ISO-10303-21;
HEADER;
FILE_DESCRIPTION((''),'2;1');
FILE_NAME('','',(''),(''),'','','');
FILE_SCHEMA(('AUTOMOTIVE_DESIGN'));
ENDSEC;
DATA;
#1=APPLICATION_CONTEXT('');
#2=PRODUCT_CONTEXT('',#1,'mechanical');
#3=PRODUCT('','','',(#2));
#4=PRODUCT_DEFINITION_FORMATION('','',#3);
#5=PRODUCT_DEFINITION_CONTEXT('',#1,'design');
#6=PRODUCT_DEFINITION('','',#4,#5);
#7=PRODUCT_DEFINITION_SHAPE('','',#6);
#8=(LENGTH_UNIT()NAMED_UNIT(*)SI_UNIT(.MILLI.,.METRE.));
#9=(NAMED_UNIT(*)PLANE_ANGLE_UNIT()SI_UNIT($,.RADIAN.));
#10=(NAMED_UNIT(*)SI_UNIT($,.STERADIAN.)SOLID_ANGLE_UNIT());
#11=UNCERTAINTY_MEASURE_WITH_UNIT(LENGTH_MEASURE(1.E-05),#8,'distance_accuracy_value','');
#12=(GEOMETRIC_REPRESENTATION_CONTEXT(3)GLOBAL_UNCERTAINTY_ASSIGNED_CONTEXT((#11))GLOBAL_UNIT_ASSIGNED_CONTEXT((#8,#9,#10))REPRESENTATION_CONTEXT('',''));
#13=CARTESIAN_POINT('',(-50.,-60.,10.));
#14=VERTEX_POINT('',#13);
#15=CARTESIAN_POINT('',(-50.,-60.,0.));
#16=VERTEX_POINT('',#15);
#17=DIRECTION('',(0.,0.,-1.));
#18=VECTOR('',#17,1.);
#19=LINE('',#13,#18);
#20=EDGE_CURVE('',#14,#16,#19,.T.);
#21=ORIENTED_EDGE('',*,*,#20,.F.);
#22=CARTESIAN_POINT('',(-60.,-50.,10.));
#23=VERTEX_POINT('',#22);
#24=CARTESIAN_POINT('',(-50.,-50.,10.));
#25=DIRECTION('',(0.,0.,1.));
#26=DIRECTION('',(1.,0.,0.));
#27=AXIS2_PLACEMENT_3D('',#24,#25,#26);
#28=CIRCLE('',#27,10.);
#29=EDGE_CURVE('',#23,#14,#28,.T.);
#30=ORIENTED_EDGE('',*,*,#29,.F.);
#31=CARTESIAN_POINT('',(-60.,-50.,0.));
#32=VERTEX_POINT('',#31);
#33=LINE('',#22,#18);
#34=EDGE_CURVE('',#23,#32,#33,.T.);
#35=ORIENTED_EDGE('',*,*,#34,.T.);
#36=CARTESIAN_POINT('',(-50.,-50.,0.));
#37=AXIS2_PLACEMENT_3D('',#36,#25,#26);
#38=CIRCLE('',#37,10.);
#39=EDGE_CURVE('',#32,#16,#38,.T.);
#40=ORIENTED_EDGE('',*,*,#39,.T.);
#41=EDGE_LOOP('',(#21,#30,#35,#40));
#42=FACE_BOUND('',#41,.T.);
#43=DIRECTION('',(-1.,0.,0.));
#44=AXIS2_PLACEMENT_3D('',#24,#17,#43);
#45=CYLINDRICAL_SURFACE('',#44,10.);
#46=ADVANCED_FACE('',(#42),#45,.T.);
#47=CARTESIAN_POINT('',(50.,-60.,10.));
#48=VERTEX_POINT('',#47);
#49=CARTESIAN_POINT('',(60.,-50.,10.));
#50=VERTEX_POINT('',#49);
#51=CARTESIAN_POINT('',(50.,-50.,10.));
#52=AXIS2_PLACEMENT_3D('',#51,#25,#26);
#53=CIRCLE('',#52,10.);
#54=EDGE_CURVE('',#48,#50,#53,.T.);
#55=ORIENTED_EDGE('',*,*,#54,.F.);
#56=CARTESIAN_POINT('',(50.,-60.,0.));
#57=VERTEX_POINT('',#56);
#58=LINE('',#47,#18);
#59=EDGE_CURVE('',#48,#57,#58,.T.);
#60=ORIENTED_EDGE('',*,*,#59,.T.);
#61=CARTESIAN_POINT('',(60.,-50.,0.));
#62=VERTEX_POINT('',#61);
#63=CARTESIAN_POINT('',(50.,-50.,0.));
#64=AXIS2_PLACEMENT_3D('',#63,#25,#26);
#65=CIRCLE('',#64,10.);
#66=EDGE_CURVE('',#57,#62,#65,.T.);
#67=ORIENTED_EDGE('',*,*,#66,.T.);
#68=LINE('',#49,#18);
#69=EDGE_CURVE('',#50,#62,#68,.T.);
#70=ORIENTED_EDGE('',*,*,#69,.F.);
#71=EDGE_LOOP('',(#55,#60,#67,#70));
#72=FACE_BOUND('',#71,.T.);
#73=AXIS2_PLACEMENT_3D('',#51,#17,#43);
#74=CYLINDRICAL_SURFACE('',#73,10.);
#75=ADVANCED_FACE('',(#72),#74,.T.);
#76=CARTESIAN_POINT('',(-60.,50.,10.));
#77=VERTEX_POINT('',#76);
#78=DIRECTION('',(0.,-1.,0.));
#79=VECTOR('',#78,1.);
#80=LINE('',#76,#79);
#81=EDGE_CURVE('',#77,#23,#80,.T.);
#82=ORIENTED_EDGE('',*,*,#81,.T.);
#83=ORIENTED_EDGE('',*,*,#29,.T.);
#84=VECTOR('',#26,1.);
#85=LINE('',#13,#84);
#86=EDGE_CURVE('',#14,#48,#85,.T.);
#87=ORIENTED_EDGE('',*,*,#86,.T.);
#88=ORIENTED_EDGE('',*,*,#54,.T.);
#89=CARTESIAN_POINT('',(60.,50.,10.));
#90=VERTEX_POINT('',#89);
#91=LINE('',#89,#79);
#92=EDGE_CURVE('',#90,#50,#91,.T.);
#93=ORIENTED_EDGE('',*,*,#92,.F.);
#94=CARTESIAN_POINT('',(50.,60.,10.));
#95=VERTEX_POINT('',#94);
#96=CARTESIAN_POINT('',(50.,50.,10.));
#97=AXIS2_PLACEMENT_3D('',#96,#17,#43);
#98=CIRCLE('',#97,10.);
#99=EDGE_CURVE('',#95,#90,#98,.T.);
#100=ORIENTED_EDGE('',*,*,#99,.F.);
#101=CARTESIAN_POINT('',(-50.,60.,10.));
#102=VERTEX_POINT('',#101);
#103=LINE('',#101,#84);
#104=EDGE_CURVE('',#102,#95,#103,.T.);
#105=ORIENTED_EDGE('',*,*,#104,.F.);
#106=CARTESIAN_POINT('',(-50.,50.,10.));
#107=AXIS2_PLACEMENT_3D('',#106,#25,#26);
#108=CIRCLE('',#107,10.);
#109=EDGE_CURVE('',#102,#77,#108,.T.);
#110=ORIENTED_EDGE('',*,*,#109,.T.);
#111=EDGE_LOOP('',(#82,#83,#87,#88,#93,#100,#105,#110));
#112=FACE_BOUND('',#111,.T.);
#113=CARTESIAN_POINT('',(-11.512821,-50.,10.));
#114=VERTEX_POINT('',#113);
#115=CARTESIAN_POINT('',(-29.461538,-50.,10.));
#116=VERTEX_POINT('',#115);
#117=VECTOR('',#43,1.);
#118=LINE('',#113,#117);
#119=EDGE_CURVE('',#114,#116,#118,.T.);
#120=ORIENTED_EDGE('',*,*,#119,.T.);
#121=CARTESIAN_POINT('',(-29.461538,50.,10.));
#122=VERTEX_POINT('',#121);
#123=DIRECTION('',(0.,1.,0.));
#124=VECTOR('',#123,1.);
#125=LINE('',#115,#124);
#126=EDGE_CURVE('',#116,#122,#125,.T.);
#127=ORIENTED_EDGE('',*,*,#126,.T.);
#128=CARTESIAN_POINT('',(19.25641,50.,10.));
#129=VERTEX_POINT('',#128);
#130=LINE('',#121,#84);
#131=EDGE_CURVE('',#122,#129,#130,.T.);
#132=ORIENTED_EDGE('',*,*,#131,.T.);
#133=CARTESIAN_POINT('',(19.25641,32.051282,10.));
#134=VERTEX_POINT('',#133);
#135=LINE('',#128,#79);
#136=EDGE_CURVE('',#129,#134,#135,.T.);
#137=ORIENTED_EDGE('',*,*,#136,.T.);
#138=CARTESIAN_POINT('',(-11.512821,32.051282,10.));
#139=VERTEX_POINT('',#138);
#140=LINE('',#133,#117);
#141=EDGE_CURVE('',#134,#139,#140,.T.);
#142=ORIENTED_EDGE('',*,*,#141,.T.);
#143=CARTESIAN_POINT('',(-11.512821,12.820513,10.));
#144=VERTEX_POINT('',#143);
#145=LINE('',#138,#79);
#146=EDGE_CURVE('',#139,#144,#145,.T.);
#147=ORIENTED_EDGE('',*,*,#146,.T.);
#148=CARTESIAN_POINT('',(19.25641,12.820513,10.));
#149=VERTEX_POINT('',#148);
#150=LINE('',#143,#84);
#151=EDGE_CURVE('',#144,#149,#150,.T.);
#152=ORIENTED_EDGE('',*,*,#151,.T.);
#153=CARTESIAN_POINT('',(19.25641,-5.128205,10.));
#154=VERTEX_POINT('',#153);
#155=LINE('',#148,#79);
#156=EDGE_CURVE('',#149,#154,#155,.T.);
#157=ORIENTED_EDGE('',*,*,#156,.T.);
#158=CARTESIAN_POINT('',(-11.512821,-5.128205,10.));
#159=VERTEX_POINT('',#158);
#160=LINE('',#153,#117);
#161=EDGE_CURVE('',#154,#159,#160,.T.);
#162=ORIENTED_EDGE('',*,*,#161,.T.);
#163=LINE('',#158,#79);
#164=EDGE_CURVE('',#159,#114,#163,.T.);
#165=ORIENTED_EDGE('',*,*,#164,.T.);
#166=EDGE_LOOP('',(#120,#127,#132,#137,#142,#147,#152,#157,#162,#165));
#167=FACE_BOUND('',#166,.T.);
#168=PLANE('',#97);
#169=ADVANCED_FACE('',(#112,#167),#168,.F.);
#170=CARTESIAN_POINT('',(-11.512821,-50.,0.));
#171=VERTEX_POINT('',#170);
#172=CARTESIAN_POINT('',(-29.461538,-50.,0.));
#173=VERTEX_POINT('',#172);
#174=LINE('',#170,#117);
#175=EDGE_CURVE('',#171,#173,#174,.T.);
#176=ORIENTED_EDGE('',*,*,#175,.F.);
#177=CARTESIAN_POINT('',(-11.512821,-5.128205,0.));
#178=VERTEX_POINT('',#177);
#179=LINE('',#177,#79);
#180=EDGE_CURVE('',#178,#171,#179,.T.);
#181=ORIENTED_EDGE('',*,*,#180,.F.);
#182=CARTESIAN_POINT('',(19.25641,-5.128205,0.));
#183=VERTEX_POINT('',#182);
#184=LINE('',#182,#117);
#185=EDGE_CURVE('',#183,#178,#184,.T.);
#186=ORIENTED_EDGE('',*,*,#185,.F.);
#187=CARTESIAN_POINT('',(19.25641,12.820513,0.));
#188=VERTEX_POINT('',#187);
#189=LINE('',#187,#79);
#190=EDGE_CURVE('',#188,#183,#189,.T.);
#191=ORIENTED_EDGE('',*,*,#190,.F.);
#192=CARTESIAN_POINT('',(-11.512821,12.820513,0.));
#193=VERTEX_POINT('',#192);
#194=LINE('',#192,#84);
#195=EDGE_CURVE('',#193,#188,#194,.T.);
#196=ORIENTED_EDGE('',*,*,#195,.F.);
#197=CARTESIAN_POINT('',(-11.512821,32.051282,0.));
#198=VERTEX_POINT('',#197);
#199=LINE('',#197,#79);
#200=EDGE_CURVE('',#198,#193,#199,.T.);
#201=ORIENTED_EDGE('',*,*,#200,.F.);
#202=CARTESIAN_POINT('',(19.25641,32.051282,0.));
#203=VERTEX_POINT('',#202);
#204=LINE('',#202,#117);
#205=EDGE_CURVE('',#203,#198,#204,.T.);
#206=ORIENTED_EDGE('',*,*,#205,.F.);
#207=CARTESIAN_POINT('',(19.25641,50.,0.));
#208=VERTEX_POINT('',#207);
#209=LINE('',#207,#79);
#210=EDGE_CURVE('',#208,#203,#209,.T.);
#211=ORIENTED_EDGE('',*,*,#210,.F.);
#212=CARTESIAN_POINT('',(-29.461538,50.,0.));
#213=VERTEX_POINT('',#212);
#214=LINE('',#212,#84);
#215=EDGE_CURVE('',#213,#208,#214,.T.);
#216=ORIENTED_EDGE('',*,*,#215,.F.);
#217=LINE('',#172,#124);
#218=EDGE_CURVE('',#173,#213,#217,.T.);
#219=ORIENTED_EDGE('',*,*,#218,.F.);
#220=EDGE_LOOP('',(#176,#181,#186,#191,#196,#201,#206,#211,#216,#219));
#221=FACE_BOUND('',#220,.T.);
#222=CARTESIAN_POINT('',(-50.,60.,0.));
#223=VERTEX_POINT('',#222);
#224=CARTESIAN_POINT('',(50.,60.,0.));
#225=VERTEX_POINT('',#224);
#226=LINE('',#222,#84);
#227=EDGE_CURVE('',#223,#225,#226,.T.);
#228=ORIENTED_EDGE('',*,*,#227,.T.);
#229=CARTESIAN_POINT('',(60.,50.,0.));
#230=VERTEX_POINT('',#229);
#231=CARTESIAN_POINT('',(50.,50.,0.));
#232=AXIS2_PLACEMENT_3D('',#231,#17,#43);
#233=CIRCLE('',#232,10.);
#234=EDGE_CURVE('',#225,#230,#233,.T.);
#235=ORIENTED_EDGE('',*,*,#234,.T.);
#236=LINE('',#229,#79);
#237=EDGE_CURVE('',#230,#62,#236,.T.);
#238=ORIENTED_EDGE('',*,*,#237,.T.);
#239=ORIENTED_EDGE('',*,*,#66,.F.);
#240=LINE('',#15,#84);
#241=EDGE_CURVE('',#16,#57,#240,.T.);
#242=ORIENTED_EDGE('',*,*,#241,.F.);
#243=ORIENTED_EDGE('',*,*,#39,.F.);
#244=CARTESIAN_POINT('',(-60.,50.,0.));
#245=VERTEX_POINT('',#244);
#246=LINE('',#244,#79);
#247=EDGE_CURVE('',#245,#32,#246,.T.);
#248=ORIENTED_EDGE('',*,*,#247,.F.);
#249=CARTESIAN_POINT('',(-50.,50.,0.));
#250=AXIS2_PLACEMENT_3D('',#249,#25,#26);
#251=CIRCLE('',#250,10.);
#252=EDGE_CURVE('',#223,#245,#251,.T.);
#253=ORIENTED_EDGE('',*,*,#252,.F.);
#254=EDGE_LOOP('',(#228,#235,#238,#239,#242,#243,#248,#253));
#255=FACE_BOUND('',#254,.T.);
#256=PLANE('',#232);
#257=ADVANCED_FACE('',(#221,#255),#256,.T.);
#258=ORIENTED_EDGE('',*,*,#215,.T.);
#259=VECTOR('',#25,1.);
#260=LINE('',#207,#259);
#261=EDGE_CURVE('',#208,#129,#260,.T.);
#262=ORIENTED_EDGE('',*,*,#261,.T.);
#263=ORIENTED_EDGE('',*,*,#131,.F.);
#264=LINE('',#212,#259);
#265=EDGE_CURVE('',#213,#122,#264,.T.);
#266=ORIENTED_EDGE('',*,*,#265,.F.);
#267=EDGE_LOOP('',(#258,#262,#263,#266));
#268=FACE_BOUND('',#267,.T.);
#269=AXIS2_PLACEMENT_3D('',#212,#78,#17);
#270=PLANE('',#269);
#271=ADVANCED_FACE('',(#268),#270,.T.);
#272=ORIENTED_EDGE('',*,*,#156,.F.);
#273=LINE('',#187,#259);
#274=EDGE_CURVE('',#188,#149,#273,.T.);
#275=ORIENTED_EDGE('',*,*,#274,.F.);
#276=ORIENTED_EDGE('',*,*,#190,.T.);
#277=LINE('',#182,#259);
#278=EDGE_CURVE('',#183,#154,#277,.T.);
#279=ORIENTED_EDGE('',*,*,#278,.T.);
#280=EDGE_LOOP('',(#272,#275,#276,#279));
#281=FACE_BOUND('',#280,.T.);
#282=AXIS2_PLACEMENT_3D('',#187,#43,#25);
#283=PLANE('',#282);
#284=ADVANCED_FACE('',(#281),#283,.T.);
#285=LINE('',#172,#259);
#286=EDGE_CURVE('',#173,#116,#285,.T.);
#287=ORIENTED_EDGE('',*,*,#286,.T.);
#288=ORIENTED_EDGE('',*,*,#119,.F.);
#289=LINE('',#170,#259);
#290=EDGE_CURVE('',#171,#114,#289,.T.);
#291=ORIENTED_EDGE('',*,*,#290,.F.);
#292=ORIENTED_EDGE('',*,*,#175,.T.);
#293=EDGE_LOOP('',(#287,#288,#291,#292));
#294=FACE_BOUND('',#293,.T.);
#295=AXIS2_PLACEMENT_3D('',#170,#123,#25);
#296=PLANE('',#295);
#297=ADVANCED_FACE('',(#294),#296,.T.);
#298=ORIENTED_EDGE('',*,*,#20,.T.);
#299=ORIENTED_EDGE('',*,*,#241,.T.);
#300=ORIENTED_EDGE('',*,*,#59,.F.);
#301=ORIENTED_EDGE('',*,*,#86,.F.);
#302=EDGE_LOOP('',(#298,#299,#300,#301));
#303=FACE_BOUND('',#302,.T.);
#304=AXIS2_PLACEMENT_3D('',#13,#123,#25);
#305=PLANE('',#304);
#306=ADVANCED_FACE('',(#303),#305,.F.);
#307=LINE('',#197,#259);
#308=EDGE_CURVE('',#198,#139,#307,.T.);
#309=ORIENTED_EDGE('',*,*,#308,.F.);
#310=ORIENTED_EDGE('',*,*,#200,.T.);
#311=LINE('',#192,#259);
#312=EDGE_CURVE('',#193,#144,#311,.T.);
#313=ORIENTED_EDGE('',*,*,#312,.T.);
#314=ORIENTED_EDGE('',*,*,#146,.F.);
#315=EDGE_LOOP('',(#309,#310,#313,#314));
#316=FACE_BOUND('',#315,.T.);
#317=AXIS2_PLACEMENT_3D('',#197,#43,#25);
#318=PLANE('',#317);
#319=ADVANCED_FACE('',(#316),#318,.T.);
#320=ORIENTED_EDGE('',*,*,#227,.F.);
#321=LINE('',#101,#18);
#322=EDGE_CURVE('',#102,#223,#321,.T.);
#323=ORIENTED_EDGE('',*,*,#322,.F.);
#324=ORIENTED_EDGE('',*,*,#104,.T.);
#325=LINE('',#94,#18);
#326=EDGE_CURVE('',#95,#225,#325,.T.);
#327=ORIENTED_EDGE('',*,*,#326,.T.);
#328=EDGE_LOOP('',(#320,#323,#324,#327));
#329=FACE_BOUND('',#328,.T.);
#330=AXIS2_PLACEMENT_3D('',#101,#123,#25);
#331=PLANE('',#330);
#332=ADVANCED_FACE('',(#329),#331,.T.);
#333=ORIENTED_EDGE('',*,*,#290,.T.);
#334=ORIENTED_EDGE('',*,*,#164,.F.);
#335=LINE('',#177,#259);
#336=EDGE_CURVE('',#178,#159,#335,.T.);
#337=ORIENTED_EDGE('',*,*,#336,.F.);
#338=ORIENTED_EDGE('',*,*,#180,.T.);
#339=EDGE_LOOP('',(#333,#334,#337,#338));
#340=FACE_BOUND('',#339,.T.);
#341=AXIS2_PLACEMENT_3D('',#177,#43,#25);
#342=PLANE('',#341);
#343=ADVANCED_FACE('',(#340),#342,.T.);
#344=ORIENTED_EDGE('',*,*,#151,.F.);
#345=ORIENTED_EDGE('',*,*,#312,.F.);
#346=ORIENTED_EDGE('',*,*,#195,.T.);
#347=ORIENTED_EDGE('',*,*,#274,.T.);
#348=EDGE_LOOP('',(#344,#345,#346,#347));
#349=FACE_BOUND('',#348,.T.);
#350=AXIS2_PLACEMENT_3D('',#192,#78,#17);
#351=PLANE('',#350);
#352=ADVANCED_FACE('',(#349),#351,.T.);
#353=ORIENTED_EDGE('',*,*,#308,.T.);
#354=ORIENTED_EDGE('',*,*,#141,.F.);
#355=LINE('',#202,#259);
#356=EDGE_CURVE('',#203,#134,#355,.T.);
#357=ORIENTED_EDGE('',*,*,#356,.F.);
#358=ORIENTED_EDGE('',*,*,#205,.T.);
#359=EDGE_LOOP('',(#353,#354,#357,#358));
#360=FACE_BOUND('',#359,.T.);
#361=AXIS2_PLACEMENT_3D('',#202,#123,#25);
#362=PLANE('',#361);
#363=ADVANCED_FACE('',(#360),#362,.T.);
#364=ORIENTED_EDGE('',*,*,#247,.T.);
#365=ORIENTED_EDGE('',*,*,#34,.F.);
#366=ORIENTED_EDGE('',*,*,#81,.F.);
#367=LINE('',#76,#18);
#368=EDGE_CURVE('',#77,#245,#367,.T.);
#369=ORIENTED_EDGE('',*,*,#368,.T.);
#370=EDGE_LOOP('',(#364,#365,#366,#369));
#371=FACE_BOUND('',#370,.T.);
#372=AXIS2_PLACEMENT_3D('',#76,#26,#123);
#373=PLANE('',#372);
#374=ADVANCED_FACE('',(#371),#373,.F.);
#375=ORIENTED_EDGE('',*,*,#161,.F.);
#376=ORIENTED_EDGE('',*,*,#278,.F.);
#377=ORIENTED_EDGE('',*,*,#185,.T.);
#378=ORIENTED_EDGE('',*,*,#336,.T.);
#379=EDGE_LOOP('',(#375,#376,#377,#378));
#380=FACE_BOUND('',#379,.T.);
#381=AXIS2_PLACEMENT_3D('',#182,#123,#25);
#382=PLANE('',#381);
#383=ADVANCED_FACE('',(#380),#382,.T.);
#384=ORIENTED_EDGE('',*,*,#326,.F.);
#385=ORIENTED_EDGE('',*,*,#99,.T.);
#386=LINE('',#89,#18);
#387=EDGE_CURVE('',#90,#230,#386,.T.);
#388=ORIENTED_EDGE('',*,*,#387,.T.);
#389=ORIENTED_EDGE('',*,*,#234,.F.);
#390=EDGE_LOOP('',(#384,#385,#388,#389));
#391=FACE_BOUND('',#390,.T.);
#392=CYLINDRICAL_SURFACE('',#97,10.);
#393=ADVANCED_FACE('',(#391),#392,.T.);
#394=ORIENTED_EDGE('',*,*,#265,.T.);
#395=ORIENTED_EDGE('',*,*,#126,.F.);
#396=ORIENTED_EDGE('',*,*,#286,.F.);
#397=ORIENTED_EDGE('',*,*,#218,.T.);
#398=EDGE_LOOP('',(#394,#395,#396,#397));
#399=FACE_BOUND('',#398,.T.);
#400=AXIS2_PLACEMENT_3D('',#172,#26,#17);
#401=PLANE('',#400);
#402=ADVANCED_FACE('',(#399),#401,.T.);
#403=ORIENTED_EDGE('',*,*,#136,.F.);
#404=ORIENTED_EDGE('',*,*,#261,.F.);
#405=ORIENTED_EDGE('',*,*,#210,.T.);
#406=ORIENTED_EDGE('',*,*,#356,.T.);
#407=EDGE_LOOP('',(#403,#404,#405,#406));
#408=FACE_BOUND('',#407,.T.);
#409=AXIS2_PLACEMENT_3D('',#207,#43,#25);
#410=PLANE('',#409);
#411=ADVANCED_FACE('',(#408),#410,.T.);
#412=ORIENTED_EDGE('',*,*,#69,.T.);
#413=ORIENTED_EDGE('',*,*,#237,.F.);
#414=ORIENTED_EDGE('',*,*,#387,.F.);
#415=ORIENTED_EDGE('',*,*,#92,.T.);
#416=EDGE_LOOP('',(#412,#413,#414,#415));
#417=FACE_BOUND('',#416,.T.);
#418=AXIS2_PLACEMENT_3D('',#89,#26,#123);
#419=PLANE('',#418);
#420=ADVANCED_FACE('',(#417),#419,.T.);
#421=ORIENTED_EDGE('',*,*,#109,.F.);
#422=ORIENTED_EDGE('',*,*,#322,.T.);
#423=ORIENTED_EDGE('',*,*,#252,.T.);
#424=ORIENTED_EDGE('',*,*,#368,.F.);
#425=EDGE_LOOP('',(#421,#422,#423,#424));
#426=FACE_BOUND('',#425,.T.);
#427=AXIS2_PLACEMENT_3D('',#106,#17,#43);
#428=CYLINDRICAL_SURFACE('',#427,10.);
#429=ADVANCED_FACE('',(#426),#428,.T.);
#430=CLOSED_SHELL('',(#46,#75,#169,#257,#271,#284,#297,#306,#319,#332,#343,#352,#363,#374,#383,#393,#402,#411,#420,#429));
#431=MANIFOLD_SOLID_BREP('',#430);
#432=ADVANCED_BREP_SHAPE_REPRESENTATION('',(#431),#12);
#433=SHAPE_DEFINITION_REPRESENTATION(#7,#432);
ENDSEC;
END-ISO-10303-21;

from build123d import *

# Parameters (mm, degrees)
BOSS_EXTRUDE1_DEPTH = 10
CUT_EXTRUDE19_DEPTH = 10


with BuildPart() as part:
    # Sketch1 → Boss-Extrude1 (new body)
    with BuildSketch(Plane.XY):
        with BuildLine():
            Line((-50, 60), (50, 60))
            ThreePointArc((50, 60), (57.071067812, 57.071067812), (60, 50))
            Line((60, 50), (60, -50))
            ThreePointArc((60, -50), (57.071067812, -57.071067812), (50, -60))
            Line((50, -60), (-50, -60))
            ThreePointArc((-50, -60), (-57.071067812, -57.071067812), (-60, -50))
            Line((-60, -50), (-60, 50))
            ThreePointArc((-60, 50), (-57.071067812, 57.071067812), (-50, 60))
        make_face()
    extrude(amount=BOSS_EXTRUDE1_DEPTH)

    # Sketch2 → Cut-Extrude19 (cut)
    with BuildSketch(Plane.XY.offset(10)):
        Polygon((-29.461538462, 50), (19.256410256, 50), (19.256410256, 32.051282051), (-11.512820513, 32.051282051), (-11.512820513, 12.820512821), (19.256410256, 12.820512821), (19.256410256, -5.128205128), (-11.512820513, -5.128205128), (-11.512820513, -50), (-29.461538462, -50), align=None)
    extrude(amount=-CUT_EXTRUDE19_DEPTH, mode=Mode.SUBTRACT)


solid = part.part
